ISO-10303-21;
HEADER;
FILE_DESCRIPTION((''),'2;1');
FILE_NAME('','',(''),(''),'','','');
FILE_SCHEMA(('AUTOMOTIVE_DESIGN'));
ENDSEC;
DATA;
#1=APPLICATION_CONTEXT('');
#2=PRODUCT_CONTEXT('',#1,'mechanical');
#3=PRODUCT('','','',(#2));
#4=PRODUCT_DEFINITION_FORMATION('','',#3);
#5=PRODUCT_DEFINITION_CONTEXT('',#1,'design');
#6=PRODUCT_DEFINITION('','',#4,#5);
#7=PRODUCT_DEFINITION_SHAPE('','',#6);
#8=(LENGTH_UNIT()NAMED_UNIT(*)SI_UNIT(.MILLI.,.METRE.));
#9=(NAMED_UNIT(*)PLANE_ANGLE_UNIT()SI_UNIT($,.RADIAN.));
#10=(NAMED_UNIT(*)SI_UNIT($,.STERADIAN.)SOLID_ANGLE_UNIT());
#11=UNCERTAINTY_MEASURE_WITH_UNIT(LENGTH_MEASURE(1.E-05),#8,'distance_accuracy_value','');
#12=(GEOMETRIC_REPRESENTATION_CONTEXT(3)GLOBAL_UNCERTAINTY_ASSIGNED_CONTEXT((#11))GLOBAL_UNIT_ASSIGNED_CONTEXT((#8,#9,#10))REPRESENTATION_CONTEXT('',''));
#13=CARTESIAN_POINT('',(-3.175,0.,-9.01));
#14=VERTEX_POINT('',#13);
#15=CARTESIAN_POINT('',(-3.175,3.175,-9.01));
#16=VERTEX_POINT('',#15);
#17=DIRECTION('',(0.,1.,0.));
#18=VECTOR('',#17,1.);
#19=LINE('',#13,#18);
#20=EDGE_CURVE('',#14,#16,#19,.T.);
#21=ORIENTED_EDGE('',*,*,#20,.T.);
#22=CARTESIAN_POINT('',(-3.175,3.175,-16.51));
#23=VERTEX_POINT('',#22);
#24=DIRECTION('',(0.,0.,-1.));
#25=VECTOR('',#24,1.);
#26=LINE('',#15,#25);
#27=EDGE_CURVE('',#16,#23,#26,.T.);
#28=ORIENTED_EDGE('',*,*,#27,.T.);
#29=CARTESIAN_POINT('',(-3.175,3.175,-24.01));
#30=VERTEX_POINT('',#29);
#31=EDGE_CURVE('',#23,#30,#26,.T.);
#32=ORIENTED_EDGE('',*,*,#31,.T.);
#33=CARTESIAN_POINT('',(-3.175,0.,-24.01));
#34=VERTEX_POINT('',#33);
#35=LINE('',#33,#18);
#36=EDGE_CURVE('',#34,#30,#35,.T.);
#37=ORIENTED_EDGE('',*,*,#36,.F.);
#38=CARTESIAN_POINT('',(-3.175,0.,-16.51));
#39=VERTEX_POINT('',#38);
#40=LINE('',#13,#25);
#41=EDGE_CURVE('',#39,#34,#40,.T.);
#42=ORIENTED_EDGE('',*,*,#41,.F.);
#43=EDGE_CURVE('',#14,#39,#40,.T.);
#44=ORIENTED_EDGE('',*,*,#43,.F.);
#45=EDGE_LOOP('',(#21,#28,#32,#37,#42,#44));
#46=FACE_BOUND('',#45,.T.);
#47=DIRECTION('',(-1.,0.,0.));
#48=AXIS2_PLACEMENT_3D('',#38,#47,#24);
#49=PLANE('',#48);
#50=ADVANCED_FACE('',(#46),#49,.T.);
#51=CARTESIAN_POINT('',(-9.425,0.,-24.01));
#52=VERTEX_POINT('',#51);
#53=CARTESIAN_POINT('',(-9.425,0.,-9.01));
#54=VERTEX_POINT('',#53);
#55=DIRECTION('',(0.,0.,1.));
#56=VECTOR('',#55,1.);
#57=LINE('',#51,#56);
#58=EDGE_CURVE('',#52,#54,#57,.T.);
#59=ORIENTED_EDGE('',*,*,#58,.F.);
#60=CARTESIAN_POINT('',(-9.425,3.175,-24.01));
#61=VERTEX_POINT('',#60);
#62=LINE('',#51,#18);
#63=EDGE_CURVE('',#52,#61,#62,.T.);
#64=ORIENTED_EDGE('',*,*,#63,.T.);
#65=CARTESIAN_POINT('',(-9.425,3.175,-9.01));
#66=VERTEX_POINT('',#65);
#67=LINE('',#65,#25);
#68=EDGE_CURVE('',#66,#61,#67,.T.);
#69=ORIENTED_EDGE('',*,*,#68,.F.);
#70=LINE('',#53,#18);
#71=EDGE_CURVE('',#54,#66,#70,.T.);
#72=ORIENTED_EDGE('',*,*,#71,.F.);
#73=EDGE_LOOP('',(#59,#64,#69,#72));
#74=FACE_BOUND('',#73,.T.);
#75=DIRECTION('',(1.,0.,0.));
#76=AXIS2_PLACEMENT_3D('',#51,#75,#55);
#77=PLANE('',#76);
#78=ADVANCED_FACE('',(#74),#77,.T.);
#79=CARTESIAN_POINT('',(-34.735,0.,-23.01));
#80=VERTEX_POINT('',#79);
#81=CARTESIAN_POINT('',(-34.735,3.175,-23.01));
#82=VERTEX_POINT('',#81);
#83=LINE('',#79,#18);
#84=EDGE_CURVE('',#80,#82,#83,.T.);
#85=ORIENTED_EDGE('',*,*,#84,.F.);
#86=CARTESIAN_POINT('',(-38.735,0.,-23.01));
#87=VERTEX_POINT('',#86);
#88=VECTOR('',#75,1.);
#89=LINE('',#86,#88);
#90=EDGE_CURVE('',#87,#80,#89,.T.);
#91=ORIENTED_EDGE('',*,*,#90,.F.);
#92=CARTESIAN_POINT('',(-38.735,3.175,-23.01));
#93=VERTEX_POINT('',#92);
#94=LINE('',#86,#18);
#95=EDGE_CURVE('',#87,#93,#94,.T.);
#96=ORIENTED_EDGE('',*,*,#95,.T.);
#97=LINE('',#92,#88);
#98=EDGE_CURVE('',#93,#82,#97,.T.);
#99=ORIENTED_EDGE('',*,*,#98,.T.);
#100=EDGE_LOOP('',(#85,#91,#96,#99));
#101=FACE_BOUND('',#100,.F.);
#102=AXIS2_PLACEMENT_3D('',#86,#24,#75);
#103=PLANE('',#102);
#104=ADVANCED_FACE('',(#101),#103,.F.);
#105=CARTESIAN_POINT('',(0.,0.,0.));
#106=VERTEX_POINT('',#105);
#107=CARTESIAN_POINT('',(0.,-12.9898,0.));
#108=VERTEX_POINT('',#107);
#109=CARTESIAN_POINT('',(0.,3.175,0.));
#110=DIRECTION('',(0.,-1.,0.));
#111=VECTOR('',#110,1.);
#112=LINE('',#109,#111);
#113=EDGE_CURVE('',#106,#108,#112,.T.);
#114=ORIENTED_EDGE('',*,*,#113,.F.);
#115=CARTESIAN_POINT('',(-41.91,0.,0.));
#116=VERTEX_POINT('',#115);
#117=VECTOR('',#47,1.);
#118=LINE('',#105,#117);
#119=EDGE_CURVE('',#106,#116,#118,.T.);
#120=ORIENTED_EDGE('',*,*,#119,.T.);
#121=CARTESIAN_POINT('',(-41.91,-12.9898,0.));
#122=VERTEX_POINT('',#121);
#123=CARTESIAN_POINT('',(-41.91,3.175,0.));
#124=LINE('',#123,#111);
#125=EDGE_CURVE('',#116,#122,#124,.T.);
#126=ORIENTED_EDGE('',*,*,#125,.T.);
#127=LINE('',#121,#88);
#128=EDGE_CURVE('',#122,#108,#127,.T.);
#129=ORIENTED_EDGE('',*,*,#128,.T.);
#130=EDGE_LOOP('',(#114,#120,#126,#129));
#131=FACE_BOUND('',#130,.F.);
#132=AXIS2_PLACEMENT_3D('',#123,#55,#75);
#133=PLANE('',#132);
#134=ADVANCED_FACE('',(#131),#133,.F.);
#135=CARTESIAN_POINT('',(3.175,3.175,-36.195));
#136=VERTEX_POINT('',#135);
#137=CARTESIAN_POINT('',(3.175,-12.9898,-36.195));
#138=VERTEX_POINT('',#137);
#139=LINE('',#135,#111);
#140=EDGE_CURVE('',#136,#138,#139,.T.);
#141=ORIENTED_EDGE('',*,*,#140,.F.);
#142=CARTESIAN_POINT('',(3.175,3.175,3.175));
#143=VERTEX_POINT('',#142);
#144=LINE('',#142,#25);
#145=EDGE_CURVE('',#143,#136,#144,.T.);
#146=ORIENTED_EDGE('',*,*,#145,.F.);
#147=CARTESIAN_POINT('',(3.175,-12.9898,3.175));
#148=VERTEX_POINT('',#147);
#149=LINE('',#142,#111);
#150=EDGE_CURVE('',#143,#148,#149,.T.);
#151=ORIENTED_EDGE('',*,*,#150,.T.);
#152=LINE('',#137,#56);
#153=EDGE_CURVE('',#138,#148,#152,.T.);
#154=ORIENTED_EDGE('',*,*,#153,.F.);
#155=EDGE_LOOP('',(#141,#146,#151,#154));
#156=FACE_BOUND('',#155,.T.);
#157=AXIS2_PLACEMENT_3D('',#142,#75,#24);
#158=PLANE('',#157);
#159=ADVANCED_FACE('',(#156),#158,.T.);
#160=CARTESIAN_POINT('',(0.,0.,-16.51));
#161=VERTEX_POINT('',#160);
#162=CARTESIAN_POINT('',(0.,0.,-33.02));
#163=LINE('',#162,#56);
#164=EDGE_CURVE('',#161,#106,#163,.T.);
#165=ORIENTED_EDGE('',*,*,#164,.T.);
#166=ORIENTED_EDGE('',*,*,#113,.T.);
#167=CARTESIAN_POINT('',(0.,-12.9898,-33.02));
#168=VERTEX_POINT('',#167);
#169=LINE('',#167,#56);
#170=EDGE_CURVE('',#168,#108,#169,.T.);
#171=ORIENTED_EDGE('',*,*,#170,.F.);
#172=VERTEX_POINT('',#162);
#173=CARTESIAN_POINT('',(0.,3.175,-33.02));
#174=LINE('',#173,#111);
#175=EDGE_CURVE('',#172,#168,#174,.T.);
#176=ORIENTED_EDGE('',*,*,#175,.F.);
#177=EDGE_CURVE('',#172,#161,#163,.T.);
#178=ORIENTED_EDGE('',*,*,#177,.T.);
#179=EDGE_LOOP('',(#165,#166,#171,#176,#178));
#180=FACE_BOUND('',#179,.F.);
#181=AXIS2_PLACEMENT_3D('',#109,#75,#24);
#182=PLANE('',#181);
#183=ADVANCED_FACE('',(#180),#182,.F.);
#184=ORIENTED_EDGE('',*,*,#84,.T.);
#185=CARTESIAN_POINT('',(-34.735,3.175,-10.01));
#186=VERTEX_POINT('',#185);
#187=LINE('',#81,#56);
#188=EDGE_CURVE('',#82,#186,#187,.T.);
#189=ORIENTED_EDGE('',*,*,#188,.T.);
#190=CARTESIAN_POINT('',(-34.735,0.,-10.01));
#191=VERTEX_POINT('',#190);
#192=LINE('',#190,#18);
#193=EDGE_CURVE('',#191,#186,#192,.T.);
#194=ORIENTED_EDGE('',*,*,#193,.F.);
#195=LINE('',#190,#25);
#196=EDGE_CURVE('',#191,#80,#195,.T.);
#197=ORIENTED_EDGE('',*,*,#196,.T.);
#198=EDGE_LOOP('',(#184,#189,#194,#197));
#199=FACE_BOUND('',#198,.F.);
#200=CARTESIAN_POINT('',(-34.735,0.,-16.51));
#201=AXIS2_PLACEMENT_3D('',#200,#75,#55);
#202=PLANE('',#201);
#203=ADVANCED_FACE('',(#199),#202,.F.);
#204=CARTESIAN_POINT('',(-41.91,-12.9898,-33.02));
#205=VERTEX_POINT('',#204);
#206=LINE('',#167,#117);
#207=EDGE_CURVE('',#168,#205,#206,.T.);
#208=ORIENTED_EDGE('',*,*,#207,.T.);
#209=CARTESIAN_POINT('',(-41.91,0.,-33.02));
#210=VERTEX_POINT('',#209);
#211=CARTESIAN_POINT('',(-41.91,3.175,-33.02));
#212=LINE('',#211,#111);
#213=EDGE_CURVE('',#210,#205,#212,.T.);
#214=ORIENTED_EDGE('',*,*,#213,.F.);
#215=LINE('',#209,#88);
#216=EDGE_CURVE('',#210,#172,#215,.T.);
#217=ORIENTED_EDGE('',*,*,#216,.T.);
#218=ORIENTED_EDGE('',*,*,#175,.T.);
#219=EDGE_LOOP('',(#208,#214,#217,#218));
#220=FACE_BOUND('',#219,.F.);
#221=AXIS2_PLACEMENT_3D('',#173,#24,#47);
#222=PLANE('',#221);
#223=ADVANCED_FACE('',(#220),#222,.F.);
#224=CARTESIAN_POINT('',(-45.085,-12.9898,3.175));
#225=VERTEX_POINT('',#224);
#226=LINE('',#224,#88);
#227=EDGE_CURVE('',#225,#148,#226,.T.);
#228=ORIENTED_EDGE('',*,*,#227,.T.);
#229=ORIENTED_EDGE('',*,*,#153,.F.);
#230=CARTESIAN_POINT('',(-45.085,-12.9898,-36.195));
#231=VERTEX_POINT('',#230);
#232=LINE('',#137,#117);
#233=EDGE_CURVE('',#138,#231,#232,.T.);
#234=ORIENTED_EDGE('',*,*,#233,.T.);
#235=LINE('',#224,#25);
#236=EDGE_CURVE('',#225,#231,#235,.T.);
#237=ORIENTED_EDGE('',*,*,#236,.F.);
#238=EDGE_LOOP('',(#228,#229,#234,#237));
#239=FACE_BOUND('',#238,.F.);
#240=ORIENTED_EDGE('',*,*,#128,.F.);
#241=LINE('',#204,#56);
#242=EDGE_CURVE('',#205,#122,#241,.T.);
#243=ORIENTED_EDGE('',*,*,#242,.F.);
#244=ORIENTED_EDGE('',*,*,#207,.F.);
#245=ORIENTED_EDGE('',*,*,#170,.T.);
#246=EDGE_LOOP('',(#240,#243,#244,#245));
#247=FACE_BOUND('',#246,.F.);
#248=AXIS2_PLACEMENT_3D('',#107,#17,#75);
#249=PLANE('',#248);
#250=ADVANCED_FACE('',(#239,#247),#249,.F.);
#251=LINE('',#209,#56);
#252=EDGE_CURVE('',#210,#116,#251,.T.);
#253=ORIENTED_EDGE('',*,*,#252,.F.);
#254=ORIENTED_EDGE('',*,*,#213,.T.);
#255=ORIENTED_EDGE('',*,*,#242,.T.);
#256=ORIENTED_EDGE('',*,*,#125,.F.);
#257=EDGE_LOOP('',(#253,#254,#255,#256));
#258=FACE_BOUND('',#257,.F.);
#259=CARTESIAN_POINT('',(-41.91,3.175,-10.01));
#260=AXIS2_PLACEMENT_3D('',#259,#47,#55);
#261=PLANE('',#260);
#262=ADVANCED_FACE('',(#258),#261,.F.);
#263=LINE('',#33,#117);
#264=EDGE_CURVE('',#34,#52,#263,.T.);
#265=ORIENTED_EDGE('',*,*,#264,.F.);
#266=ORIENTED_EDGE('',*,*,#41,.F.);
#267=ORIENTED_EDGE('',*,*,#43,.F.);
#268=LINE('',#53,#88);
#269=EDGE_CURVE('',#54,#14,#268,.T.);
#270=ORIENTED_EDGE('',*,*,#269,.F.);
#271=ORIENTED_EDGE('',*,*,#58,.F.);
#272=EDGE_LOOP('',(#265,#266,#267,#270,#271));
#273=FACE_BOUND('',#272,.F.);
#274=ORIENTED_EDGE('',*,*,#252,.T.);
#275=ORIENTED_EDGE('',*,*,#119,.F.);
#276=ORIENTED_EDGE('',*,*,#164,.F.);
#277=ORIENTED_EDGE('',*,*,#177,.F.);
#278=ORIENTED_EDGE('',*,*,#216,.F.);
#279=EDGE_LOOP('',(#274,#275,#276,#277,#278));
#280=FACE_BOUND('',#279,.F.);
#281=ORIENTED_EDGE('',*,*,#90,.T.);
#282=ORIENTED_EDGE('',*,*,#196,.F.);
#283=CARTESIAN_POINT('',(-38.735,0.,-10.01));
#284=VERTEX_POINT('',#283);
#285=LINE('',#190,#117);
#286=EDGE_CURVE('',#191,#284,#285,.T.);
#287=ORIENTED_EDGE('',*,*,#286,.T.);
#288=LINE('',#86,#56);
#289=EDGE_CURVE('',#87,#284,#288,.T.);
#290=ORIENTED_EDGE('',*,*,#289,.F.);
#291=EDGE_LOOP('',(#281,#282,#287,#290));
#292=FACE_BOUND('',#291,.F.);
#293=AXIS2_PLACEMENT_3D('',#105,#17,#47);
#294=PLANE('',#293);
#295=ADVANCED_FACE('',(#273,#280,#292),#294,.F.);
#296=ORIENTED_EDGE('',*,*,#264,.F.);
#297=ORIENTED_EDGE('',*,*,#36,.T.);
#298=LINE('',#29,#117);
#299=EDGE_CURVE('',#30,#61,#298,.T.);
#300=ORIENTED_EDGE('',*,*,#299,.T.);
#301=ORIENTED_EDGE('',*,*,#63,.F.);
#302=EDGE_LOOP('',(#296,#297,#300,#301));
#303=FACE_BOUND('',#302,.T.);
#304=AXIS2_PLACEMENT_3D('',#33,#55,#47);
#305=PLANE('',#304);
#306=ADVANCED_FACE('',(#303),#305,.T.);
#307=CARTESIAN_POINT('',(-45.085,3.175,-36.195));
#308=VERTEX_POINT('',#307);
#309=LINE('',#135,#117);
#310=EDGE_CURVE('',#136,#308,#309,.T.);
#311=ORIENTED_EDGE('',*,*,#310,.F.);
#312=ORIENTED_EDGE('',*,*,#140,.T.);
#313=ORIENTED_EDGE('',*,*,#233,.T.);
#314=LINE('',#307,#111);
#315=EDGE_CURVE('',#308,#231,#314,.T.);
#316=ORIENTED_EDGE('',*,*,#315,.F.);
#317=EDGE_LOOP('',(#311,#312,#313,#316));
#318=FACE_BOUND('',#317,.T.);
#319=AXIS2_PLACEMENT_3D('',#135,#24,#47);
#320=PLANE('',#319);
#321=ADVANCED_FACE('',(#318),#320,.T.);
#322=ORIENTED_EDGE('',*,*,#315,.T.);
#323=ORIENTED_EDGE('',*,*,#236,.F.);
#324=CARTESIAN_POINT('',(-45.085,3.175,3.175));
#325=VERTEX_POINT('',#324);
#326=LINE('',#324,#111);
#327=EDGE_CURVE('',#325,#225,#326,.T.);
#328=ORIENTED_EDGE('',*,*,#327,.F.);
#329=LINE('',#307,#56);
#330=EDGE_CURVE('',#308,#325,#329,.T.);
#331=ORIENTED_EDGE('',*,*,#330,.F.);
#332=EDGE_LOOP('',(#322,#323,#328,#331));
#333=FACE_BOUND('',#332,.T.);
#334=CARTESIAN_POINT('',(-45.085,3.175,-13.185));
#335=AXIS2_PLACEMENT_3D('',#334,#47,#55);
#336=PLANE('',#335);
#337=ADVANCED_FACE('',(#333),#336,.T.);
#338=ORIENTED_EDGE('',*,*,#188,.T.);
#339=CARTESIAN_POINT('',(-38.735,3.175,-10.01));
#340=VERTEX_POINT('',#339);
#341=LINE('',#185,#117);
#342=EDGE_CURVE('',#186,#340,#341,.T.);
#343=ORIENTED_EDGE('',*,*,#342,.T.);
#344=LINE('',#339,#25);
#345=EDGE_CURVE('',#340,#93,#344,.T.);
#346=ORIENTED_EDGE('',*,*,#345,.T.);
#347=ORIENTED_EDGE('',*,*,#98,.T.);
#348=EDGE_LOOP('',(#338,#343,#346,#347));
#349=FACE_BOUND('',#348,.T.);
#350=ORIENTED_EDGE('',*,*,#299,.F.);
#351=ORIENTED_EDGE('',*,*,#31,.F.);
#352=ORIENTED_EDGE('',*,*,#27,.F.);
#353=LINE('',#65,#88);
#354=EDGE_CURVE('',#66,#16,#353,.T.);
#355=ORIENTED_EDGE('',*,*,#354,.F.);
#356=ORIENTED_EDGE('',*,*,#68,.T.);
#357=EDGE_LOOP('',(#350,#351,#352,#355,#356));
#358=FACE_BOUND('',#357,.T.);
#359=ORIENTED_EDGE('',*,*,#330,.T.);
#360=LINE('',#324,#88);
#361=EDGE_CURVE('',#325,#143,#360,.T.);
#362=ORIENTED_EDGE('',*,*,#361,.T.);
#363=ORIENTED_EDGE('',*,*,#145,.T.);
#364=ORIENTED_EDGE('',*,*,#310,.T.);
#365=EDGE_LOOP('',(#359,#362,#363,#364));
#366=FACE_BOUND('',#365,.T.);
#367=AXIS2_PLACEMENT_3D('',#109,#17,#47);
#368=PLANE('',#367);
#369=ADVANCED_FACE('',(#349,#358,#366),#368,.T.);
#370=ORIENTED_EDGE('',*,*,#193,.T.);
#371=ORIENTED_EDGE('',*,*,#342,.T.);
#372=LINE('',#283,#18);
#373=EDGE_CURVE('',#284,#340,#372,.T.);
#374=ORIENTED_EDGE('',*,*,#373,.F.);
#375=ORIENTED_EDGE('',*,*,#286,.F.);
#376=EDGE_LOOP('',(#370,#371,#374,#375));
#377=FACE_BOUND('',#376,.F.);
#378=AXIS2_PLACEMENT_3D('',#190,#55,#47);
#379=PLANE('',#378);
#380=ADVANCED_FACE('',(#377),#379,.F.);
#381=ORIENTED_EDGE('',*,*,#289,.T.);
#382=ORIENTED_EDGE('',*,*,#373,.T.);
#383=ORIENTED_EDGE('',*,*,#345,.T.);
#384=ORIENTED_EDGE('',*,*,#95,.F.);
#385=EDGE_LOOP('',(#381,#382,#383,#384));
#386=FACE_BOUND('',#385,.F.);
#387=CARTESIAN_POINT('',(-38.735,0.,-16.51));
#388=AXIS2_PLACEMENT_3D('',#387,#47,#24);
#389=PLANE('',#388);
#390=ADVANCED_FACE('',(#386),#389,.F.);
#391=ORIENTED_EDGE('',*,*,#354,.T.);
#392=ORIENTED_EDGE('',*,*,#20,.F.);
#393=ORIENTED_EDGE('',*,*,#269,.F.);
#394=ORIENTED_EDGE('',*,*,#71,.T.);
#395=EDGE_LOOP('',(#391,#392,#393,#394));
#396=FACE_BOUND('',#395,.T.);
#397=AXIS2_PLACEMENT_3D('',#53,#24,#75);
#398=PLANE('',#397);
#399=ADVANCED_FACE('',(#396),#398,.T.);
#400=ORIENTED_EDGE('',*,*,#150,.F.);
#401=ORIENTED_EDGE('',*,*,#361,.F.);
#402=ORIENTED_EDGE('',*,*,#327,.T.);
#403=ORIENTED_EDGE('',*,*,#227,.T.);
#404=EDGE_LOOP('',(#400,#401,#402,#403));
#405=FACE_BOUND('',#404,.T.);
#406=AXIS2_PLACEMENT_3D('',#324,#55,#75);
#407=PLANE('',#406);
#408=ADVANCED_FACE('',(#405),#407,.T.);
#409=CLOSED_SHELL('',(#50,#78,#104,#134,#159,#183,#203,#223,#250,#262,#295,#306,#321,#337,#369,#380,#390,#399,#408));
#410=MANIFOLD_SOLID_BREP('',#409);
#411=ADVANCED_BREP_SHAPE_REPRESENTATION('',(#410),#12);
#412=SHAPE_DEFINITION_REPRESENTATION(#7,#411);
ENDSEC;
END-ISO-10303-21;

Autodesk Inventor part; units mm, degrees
ref_plane "YZ Plane" through (0, 0, 0) normal (1, 0, 0) x (0, 1, 0)
ref_plane "XZ Plane" through (0, 0, 0) normal (0, 1, 0) x (-1, 0, 0)
ref_plane "XY Plane" through (0, 0, 0) normal (0, 0, 1) x (1, 0, 0)
sketch "Sketch1" plane through (0, 0, 0) normal (0, 1, 0) x (-1, 0, 0)
  line L0 (0, 0) -> (41.91, 0)
  line L1 (41.91, 0) -> (41.91, -33.02)
  line L2 (41.91, -33.02) -> (0, -33.02)
  line L3 (0, -33.02) -> (0, 0)
  line L4 (41.91, -16.51) -> (34.735, -16.51)
  line L5 (34.735, -16.51) -> (34.735, -10.01)
  line L6 (34.735, -10.01) -> (41.91, -10.01)
  line L7 (34.735, -10.01) -> (38.735, -10.01)
  line L8 (38.735, -10.01) -> (38.735, -23.01)
  line L9 (38.735, -23.01) -> (34.735, -23.01)
  line L10 (34.735, -23.01) -> (34.735, -10.01)
  line L11 (0, -16.51) -> (9.425, -16.51)
  line L12 (9.425, -16.51) -> (9.425, -9.01)
  line L13 (9.425, -9.01) -> (3.175, -9.01)
  line L14 (3.175, -9.01) -> (3.175, -24.01)
  line L15 (3.175, -24.01) -> (9.425, -24.01)
  line L16 (9.425, -24.01) -> (9.425, -9.01)
  point P0 (0, -9.01)
  point P1 (0, -24.01)
  point P2 (41.91, -23.01)
  point P3 (3.175, -16.51)
  point P4 (38.735, -16.51)
  dimension "d0" = 41.91
  dimension "d1" = 33.02
  dimension "d2" = 7.175
  dimension "d3" = 6.5
  dimension "d4" = 4
  dimension "d5" = 13
  dimension "d6" = 9.425
  dimension "d7" = 7.5
  dimension "d8" = 6.25
  dimension "d9" = 15
extrude "Extrusion1" add sketch "Sketch1" along normal blind 3.175 contours L0 L1 L6 L5 L10 L9 L8 L4 L2 L3 | L1 L4 L8 L6
sketch "Sketch2" plane through (0, 3.175, 0) normal (0, 1, 0) x (1, 0, 0)
  line L0 (0, 0) -> (0, 33.02) projected
  line L1 (-3.175, 9.01) -> (-9.425, 9.01) projected
  line L2 (-9.425, 9.01) -> (-9.425, 24.01) projected
  line L3 (-9.425, 24.01) -> (-3.175, 24.01) projected
  line L4 (0, 33.02) -> (-41.91, 33.02) projected
  line L5 (-41.91, 33.02) -> (-41.91, 0) projected
  line L6 (-38.735, 23.01) -> (-34.735, 23.01) projected
  line L7 (-34.735, 23.01) -> (-34.735, 10.01) projected
  line L8 (-41.91, 0) -> (0, 0) projected
  line L9 (3.175, -3.175) -> (3.175, 12.185)
  line L10 (3.175, 12.185) -> (-6.25, 12.185)
  line L11 (-6.25, 12.185) -> (-6.25, 20.835)
  line L12 (-6.25, 20.835) -> (3.175, 20.835)
  line L13 (3.175, 20.835) -> (3.175, 36.195)
  line L14 (3.175, 36.195) -> (-45.085, 36.195)
  line L15 (-45.085, 36.195) -> (-45.085, 19.835)
  line L16 (-45.085, 19.835) -> (-37.91, 19.835)
  line L17 (-37.91, 19.835) -> (-37.91, 13.185)
  line L18 (-37.91, 13.185) -> (-45.085, 13.185)
  line L19 (-45.085, 13.185) -> (-45.085, -3.175)
  line L20 (-45.085, -3.175) -> (3.175, -3.175)
  line L21 (3.175, 12.185) -> (3.175, 20.835)
  line L22 (0, 24.01) -> (0, 9.01)
  line L23 (-41.91, 10.01) -> (-41.91, 23.01)
  line L24 (-45.085, 19.835) -> (-45.085, 13.185)
  line L25 (-3.175, 24.01) -> (-3.175, 9.01) projected
  line L26 (-38.735, 10.01) -> (-38.735, 23.01) projected
  line L27 (-34.735, 10.01) -> (-38.735, 10.01) projected
  point P0 (-41.91, 19.835)
  point P1 (0, 20.835)
  point P2 (-3.175, 20.835)
  point P3 (-3.175, 12.185)
  point P4 (0, 12.185)
  point P5 (-41.91, 13.185)
  point P6 (-38.735, 13.185)
  point P7 (-38.735, 19.835)
  dimension "d12" = 3.175
extrude "Extrusion2" add sketch "Sketch2" against normal blind 16.1648 contours L0 L10 L9 L20 L19 L18 L5 L8 | L0 L12 L21 L10 | L0 L4 L5 L16 L15 L14 L13 L12 | L18 L24 L16 L5
properties part number "pololuCaseTop"
